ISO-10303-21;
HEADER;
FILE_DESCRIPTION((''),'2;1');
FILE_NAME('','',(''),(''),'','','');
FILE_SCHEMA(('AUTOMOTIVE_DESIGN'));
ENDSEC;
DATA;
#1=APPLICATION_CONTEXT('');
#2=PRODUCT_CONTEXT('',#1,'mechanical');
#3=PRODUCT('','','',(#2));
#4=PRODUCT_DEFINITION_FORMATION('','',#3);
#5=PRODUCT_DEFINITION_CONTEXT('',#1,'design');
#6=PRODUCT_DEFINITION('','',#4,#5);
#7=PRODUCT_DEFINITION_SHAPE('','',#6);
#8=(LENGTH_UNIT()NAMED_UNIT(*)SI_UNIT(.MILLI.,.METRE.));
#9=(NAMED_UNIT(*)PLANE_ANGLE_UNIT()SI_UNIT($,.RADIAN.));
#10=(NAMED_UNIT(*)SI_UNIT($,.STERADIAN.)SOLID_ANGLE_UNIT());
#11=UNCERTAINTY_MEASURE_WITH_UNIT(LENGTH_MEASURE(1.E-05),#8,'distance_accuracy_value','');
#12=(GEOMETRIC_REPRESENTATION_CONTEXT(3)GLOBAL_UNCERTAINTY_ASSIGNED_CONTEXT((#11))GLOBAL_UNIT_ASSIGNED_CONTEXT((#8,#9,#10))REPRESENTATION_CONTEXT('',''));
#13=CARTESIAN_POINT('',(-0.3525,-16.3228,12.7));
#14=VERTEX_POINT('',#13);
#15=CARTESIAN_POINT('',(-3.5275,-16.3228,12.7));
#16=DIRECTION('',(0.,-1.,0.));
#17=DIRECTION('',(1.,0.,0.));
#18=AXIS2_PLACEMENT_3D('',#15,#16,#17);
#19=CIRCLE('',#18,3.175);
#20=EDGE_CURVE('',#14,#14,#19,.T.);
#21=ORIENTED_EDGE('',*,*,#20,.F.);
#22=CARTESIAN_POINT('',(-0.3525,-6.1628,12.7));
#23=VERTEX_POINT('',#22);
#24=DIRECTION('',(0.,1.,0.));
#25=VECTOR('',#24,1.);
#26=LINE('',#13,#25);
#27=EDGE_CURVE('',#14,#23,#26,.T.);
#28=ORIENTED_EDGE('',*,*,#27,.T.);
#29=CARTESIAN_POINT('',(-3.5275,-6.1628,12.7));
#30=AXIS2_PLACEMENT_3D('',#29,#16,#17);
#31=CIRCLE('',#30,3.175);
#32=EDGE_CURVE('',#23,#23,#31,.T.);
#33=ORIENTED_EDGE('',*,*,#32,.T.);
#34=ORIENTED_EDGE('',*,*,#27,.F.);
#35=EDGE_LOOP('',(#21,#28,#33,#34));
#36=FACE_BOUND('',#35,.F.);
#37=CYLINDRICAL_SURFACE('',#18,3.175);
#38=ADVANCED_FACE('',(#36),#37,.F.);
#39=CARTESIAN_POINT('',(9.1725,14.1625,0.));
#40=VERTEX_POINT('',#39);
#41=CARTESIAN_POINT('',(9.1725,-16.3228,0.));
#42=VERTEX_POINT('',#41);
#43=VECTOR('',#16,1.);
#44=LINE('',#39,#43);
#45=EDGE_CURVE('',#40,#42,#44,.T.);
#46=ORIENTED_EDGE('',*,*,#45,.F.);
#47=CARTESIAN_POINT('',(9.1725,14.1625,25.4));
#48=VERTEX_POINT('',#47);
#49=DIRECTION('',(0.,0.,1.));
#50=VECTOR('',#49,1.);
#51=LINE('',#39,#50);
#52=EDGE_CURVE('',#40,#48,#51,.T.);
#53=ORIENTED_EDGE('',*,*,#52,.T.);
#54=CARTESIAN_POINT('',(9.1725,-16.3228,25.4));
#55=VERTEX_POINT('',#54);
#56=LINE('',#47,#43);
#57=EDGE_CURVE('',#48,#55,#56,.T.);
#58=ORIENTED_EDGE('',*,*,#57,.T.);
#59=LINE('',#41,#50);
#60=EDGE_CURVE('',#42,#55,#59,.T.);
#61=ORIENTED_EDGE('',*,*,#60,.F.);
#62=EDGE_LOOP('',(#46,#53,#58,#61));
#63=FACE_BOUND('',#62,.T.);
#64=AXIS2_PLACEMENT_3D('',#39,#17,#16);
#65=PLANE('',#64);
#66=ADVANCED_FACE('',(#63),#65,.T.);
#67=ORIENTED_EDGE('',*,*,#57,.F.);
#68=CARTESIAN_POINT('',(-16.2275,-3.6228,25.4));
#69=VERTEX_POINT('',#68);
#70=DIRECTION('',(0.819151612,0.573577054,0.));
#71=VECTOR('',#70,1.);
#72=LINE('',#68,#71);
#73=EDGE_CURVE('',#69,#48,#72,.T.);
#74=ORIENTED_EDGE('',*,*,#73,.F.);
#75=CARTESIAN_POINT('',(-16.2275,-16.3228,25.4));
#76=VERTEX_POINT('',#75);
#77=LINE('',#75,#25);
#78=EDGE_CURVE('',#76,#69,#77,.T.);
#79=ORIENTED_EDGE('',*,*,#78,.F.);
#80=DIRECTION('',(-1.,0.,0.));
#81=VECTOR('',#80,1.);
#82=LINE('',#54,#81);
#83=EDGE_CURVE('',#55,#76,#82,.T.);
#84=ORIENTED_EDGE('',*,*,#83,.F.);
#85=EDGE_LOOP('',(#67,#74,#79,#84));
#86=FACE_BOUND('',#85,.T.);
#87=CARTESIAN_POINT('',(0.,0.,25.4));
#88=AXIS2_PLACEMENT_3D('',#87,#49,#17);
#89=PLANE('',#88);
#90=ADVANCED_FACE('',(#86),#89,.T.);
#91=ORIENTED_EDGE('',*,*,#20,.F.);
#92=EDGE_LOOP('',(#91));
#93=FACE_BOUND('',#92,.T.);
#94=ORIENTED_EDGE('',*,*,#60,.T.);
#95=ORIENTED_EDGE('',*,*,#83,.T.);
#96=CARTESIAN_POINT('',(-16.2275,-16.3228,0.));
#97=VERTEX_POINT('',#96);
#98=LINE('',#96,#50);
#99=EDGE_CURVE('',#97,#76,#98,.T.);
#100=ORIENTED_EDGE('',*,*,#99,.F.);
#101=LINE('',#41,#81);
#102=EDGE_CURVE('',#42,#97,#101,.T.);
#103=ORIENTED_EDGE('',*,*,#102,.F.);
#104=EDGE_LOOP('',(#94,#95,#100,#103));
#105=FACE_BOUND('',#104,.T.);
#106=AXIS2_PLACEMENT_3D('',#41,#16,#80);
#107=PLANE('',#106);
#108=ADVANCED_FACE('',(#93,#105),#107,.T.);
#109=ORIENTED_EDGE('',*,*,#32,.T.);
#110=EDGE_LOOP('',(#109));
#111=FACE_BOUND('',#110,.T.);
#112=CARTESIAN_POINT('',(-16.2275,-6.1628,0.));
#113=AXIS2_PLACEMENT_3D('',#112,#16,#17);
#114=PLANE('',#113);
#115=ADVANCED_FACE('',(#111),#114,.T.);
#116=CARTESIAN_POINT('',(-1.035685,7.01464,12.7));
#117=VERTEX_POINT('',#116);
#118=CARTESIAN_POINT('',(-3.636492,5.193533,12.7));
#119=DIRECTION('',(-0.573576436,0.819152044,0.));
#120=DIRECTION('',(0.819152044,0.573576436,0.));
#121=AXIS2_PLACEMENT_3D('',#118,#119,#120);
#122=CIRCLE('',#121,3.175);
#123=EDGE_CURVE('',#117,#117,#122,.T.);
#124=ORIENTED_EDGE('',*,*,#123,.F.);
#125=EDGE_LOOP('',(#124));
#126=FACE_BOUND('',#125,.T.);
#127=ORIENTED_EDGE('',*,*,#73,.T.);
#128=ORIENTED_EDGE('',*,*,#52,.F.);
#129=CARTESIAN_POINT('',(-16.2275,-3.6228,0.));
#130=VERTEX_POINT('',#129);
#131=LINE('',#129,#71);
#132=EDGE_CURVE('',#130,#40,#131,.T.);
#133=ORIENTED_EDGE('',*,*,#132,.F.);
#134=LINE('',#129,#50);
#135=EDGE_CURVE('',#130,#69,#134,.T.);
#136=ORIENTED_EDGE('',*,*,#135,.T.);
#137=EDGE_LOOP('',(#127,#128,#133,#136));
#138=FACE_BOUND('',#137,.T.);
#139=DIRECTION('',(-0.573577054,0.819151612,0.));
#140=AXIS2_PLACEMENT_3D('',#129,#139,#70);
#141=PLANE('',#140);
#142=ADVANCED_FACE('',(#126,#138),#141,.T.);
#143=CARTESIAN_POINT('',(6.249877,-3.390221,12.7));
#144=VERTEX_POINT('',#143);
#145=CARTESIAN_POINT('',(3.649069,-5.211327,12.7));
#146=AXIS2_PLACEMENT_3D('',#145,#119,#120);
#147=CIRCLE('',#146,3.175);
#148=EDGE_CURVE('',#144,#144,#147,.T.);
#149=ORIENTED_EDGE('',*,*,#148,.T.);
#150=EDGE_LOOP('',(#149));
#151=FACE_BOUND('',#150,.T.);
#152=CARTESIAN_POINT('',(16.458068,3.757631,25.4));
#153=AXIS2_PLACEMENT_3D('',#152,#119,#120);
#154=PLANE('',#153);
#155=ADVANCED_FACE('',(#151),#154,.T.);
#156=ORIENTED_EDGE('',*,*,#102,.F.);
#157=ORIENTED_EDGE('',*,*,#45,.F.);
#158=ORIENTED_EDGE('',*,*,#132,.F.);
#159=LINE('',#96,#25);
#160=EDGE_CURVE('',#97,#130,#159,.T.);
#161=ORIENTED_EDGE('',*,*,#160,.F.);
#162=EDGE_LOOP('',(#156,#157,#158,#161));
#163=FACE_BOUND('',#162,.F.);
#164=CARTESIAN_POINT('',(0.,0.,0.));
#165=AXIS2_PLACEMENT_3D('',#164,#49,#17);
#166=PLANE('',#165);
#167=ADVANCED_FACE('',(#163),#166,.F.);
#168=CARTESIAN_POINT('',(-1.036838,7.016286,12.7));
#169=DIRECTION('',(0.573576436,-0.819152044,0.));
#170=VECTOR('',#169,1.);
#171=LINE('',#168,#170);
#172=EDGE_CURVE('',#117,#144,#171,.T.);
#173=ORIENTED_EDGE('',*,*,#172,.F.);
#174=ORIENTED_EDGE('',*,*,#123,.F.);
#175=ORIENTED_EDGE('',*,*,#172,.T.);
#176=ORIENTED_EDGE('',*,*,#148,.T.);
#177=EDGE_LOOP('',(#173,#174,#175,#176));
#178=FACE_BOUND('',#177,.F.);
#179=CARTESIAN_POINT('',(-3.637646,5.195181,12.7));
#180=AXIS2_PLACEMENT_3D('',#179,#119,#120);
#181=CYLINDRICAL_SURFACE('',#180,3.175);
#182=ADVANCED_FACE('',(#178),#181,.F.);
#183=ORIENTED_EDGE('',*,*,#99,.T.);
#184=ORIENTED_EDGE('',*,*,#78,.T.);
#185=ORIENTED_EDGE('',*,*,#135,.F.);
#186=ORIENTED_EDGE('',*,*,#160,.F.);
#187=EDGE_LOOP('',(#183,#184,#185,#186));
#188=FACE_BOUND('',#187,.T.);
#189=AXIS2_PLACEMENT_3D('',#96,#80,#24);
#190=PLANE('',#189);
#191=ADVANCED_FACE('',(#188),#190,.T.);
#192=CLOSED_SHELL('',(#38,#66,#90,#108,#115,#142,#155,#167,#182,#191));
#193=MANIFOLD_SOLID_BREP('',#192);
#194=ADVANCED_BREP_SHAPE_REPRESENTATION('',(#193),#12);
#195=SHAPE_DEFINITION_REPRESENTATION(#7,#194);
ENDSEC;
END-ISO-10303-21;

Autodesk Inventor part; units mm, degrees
ref_plane "YZ Plane" through (0, 0, 0) normal (1, 0, 0) x (0, 1, 0)
ref_plane "XZ Plane" through (0, 0, 0) normal (0, 1, 0) x (-1, 0, 0)
ref_plane "XY Plane" through (0, 0, 0) normal (0, 0, 1) x (1, 0, 0)
sketch "Sketch1" plane through (0, 0, 0) normal (0, 0, 1) x (1, 0, 0)
  line L0 (-16.2275, -3.6228) -> (9.1725, 14.1625)
  line L1 (9.1725, 14.1625) -> (9.1725, -16.3228)
  line L2 (9.1725, -16.3228) -> (-16.2275, -16.3228)
  line L3 (-16.2275, -16.3228) -> (-16.2275, -3.6228)
  dimension "d6" = 35
  dimension "d7" = 12.7
  dimension "d8" = 25.4
extrude "Extrusion1" add sketch "Sketch1" along normal blind 25.4
sketch "Sketch2" plane through (9.1725, 14.1625, 25.4) normal (-0.5736, 0.8192, 0) x (0.8192, 0.5736, 0)
  circle A0 centre (-15.6369, 12.7) radius 3.175
  point P0 (-15.6369, 25.4)
  dimension "d11" = 6.35
extrude "Extrusion2" cut sketch "Sketch2" against normal blind 12.7
sketch "Sketch3" plane through (-16.2275, -16.3228, 0) normal (0, -1, 0) x (1, 0, 0)
  circle A0 centre (12.7, 12.7) radius 3.175
  point P0 (16.2275, 0)
  dimension "d14" = 6.35
extrude "Extrusion3" cut sketch "Sketch3" against normal blind 10.16
properties part number "hack 35 degree mounting points"
